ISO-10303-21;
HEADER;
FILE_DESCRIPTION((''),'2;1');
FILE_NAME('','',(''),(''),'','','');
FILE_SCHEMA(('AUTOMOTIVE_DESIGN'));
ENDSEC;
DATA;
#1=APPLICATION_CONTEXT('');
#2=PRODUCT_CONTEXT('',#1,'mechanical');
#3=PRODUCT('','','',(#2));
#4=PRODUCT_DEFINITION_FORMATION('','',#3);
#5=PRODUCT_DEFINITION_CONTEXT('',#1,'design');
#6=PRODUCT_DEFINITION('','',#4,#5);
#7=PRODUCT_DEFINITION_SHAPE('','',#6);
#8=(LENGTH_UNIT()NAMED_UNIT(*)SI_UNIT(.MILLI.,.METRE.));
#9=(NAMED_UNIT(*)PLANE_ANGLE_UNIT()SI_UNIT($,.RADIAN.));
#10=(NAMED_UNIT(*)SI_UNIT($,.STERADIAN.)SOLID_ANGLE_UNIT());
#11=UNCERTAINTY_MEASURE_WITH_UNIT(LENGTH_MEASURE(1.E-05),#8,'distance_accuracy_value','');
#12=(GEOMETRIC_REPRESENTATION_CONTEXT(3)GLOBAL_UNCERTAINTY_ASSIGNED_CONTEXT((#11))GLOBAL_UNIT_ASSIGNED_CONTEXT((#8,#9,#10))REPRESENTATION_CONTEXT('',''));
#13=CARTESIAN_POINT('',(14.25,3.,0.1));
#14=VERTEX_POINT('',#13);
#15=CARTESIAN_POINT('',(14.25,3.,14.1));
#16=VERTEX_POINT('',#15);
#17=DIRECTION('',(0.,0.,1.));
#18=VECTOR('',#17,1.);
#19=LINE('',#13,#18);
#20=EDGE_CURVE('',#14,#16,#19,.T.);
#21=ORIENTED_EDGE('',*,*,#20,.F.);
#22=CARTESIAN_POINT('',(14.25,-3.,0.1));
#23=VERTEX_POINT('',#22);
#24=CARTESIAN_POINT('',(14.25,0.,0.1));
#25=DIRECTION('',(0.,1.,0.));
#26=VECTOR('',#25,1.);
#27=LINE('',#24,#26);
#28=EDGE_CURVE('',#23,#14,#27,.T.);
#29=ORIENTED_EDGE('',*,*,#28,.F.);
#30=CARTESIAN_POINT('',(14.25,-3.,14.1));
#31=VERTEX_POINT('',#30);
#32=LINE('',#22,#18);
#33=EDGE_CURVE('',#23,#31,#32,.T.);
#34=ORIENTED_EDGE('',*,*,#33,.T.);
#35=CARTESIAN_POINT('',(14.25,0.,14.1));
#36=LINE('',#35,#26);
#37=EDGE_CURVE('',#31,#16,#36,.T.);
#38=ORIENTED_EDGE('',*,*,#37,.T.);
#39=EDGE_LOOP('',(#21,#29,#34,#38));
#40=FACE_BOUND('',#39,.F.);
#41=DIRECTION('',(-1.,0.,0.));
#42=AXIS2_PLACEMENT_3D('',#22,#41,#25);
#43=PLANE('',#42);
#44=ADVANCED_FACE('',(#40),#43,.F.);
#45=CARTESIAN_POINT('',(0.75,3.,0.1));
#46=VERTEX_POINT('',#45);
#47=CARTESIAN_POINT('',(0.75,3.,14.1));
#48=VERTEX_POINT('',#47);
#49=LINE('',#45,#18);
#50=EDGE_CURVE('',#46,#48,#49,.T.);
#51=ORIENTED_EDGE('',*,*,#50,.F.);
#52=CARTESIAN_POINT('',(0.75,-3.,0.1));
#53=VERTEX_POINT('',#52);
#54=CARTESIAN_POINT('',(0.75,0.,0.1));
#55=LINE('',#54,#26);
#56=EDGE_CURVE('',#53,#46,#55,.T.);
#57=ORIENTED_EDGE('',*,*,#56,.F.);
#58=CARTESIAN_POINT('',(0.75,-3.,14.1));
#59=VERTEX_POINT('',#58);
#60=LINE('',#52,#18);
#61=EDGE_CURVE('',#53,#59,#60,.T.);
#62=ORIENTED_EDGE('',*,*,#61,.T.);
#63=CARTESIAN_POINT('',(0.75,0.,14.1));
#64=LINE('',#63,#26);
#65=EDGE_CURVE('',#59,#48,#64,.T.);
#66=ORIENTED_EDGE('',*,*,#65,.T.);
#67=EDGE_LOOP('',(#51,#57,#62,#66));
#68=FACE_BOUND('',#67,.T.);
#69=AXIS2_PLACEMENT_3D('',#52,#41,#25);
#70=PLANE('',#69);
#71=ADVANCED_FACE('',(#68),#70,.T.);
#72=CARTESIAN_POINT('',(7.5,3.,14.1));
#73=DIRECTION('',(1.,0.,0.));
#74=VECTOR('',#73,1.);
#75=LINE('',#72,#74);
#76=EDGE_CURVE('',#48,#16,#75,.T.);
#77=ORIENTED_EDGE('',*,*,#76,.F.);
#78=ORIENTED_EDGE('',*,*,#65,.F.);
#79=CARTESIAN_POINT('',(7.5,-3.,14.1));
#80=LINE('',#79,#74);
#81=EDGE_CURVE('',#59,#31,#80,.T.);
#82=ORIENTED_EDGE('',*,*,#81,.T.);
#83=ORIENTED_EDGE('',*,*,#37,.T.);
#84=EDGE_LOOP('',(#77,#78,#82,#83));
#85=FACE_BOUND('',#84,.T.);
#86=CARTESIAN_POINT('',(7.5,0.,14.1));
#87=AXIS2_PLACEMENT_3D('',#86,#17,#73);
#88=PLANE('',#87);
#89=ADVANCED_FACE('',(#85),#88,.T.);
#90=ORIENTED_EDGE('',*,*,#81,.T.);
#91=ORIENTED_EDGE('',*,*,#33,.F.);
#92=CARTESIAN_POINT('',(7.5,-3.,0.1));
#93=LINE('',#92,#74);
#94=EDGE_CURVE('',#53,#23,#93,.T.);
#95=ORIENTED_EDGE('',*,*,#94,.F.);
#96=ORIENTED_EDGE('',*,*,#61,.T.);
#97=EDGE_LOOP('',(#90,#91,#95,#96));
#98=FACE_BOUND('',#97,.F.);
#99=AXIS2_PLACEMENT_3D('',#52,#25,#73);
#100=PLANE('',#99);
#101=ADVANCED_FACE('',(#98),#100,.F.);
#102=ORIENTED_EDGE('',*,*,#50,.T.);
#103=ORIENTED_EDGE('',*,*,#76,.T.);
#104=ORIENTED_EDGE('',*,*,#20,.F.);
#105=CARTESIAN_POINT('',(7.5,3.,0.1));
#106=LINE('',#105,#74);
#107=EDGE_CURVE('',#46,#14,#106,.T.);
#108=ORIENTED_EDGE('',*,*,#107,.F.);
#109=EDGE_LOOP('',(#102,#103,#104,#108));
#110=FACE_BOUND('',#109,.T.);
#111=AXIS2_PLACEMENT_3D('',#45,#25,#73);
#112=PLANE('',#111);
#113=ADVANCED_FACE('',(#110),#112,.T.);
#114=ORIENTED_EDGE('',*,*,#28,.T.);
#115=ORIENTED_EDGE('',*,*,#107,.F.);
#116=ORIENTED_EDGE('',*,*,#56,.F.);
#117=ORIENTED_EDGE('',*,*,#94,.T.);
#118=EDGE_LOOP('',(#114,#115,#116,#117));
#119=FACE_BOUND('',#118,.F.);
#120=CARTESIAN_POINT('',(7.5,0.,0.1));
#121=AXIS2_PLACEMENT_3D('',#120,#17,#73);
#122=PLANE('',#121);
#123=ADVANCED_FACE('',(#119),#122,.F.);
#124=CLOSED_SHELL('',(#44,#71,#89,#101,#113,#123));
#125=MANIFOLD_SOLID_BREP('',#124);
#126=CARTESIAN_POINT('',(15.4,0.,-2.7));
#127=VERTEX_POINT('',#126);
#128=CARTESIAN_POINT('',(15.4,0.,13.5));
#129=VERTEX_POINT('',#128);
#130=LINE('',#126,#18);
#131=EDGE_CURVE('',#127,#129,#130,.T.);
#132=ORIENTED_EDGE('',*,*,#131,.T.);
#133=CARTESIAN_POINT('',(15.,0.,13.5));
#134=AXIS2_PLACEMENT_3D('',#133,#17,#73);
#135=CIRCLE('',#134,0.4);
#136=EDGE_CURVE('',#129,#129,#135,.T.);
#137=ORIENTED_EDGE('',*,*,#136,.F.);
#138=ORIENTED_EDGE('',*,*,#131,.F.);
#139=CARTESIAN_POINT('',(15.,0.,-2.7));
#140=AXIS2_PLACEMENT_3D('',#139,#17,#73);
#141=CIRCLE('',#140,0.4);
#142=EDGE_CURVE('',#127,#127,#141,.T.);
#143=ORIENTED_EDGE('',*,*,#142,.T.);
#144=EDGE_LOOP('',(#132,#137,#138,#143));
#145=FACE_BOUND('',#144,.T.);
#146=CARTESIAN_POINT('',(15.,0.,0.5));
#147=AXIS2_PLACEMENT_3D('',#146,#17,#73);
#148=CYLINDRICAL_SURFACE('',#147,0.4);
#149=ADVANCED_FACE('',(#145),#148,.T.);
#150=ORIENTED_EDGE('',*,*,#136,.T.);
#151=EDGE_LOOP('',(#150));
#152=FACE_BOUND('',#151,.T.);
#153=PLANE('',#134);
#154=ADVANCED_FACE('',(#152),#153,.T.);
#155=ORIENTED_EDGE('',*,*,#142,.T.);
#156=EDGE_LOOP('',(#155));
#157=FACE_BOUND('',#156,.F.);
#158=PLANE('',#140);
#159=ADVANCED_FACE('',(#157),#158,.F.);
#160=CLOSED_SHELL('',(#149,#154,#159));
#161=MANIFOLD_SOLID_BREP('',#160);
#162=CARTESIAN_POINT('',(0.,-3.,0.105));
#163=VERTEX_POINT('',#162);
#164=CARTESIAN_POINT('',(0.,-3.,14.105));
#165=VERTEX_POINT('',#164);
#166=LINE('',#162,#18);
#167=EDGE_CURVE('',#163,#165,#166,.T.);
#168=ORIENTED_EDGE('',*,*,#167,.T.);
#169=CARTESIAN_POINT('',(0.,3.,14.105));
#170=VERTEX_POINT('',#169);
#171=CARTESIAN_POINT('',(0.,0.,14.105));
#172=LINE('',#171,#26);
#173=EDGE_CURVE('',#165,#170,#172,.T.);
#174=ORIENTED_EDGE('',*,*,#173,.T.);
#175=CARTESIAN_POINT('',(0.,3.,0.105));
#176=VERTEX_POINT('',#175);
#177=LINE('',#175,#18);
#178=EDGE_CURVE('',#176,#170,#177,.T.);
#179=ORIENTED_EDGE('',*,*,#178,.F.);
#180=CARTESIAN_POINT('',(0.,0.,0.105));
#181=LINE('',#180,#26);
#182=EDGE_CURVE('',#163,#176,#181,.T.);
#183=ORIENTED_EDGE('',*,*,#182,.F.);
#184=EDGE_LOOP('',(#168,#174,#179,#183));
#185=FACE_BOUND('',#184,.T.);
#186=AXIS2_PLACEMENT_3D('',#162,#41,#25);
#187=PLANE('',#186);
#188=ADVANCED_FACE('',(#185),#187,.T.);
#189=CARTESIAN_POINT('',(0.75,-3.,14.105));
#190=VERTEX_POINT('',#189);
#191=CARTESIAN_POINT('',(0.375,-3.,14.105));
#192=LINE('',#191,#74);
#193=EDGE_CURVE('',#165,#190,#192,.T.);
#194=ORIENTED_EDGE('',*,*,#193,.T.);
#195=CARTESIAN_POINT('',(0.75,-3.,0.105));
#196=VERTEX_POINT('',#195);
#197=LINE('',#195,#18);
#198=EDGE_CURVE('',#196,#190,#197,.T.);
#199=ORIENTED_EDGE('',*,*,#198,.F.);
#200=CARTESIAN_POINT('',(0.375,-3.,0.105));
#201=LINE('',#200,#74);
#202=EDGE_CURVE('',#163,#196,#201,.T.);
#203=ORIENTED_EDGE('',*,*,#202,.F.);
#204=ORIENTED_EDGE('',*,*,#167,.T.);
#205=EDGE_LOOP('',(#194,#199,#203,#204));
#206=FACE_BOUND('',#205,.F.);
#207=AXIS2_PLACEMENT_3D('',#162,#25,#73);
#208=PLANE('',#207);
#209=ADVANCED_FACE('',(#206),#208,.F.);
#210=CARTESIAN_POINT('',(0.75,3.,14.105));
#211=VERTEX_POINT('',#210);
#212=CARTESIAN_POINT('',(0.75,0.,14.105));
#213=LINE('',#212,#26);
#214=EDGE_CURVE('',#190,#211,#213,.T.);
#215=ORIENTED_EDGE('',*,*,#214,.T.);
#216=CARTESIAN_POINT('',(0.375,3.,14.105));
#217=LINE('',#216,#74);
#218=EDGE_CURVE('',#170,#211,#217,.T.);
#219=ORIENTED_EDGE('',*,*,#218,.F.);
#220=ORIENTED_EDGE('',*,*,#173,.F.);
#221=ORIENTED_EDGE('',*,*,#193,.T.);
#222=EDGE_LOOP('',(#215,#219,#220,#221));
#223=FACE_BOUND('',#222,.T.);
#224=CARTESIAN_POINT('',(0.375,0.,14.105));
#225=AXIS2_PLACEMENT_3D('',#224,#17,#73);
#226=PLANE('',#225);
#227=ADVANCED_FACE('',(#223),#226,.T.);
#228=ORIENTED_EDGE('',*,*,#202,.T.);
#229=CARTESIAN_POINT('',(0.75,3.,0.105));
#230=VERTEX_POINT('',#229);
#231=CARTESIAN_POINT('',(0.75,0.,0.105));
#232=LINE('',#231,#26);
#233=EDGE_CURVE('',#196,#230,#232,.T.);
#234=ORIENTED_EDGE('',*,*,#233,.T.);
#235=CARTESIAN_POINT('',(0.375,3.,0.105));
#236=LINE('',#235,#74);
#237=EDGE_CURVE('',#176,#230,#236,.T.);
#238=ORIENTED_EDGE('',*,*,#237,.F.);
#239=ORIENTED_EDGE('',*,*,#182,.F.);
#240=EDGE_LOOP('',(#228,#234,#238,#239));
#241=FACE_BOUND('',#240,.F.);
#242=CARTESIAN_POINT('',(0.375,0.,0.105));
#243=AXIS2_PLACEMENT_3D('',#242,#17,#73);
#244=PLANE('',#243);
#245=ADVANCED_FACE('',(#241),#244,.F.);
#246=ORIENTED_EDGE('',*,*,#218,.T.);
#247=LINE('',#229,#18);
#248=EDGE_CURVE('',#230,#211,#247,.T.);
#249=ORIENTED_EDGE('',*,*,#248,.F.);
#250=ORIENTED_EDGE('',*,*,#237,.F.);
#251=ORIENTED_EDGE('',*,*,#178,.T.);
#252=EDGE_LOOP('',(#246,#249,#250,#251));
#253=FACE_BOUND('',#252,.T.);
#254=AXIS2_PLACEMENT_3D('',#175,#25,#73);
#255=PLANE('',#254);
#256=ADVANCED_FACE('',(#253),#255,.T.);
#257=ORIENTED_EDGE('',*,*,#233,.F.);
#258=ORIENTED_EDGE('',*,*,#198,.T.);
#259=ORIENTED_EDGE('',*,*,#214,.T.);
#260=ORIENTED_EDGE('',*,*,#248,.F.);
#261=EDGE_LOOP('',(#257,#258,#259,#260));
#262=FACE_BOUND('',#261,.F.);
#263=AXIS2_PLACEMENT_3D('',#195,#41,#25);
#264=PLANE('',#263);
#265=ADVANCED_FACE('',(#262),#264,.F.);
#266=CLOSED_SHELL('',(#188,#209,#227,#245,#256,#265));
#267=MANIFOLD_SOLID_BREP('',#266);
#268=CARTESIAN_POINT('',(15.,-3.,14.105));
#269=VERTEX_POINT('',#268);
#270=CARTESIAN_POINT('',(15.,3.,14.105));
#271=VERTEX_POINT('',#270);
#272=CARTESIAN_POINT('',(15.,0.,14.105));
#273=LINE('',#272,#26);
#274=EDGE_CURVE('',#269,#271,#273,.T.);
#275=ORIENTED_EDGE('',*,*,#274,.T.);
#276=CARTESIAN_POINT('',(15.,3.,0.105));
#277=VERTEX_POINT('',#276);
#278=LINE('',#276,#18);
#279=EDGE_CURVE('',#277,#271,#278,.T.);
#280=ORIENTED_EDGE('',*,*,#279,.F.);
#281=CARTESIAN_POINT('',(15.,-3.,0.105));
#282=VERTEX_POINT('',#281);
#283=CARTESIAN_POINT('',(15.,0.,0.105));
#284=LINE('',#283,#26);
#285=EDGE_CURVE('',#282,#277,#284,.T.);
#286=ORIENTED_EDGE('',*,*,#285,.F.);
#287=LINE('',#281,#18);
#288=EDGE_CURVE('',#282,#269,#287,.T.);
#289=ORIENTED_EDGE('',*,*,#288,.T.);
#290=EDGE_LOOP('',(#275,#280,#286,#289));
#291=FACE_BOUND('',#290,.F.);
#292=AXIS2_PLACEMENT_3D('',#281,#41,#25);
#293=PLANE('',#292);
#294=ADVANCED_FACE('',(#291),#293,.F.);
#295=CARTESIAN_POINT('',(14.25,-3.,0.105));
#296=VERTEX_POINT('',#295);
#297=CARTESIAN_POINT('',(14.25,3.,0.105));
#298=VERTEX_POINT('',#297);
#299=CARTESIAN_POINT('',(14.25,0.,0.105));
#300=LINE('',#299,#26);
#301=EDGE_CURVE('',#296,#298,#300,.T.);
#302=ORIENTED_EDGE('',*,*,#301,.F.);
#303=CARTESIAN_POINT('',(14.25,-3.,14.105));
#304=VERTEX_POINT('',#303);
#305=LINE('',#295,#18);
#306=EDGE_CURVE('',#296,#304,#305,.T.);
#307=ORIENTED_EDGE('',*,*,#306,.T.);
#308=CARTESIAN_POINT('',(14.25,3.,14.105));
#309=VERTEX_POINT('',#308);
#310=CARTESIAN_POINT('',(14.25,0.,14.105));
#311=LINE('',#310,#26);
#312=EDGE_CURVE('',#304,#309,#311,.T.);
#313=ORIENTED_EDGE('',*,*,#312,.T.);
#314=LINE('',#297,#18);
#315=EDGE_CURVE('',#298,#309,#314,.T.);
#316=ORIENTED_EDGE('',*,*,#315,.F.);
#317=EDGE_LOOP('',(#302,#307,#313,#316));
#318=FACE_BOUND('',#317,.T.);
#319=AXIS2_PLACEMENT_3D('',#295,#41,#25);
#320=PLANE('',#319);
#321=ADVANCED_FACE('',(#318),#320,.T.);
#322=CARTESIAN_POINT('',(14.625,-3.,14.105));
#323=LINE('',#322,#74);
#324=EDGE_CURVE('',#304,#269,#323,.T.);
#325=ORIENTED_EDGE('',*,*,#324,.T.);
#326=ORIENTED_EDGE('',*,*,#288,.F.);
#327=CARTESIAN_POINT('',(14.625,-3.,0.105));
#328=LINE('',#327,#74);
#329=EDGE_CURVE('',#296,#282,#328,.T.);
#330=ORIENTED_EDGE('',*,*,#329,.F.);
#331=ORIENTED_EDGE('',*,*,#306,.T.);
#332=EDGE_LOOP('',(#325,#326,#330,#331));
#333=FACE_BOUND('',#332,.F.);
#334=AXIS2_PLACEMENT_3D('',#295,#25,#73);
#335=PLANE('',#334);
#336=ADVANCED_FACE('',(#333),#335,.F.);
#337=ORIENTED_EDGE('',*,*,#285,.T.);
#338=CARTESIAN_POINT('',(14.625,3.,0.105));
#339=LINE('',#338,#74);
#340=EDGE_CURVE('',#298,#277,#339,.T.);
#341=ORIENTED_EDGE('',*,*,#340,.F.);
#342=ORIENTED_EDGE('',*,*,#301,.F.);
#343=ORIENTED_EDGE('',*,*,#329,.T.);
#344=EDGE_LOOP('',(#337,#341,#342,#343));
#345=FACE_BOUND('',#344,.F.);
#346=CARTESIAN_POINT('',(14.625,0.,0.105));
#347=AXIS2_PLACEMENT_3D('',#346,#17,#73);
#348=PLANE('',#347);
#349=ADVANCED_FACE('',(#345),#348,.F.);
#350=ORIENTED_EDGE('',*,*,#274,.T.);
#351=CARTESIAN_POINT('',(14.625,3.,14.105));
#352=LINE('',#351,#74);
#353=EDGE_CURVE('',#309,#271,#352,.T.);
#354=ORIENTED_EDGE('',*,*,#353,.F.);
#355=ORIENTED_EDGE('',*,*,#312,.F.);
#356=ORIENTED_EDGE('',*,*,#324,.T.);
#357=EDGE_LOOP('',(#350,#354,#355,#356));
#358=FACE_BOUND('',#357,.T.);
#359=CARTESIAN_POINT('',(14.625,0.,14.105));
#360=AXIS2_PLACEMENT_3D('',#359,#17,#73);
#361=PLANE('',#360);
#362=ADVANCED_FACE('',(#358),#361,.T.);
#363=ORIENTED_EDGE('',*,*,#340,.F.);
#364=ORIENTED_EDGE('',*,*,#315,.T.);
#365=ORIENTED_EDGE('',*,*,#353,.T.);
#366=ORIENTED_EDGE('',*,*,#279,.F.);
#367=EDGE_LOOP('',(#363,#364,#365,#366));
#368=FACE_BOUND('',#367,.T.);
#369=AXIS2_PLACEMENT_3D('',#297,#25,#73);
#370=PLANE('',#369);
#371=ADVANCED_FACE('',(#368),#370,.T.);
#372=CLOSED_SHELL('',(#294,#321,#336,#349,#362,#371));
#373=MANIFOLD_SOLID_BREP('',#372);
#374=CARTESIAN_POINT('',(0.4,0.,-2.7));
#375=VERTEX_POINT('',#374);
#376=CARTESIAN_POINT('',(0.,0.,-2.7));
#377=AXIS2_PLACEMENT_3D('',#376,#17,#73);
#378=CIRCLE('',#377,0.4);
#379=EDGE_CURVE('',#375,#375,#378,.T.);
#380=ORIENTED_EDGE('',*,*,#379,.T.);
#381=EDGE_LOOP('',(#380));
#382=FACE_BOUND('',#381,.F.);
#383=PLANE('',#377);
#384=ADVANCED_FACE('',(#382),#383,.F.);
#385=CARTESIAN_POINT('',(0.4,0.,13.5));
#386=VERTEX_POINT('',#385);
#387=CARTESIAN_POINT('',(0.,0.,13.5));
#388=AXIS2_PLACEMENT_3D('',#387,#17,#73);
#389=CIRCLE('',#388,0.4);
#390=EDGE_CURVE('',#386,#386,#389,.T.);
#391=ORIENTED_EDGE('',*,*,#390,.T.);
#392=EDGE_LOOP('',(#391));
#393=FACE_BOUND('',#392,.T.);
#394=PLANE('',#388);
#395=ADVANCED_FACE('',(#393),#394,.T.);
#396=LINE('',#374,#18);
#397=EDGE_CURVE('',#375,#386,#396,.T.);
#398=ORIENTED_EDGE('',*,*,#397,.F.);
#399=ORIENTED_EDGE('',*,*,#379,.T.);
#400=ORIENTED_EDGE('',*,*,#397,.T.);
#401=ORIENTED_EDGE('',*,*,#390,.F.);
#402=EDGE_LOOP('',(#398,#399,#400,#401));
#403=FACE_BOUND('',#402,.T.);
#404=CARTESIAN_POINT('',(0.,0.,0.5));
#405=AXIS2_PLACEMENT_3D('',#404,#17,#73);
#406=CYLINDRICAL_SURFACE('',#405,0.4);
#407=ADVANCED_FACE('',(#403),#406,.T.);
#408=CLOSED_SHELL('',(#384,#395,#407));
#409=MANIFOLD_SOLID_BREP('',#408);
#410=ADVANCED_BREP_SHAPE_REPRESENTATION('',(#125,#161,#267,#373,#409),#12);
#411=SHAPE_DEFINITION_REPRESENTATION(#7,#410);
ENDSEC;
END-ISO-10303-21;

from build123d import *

# Parameters (mm, degrees)
SKETCH_W          = 13.5
SKETCH_H          = 6
PAD_DEPTH         = 14
SKETCH001_R       = 0.4
PAD001_DEPTH      = 13
PAD001_DEPTH_BACK = 3.2
SKETCH002_W       = 0.75
SKETCH002_H       = 6
PAD002_DEPTH      = 14


with BuildPart() as pad:
    # Sketch → Pad (new body)
    with BuildSketch(Plane.XY.offset(0.1)):
        with Locations((7.5, 0)):
            Rectangle(SKETCH_W, SKETCH_H)
    extrude(amount=PAD_DEPTH)


with BuildPart() as pad001:
    # Sketch001 → Pad001 (new body, two sides)
    with BuildSketch(Plane.XY.offset(0.5)) as pad001_sk:
        Circle(SKETCH001_R)
        with Locations((15, 0)):
            Circle(SKETCH001_R)
    extrude(amount=PAD001_DEPTH)
    extrude(pad001_sk.sketch, amount=-PAD001_DEPTH_BACK)


with BuildPart() as pad002:
    # Sketch002 → Pad002 (new body)
    with BuildSketch(Plane.XY.offset(0.105)):
        with Locations((0.375, 0)):
            Rectangle(SKETCH002_W, SKETCH002_H)
        with Locations((14.625, 0)):
            Rectangle(SKETCH002_W, SKETCH002_H)
    extrude(amount=PAD002_DEPTH)


solid = Compound([pad.part, pad001.part, pad002.part])
